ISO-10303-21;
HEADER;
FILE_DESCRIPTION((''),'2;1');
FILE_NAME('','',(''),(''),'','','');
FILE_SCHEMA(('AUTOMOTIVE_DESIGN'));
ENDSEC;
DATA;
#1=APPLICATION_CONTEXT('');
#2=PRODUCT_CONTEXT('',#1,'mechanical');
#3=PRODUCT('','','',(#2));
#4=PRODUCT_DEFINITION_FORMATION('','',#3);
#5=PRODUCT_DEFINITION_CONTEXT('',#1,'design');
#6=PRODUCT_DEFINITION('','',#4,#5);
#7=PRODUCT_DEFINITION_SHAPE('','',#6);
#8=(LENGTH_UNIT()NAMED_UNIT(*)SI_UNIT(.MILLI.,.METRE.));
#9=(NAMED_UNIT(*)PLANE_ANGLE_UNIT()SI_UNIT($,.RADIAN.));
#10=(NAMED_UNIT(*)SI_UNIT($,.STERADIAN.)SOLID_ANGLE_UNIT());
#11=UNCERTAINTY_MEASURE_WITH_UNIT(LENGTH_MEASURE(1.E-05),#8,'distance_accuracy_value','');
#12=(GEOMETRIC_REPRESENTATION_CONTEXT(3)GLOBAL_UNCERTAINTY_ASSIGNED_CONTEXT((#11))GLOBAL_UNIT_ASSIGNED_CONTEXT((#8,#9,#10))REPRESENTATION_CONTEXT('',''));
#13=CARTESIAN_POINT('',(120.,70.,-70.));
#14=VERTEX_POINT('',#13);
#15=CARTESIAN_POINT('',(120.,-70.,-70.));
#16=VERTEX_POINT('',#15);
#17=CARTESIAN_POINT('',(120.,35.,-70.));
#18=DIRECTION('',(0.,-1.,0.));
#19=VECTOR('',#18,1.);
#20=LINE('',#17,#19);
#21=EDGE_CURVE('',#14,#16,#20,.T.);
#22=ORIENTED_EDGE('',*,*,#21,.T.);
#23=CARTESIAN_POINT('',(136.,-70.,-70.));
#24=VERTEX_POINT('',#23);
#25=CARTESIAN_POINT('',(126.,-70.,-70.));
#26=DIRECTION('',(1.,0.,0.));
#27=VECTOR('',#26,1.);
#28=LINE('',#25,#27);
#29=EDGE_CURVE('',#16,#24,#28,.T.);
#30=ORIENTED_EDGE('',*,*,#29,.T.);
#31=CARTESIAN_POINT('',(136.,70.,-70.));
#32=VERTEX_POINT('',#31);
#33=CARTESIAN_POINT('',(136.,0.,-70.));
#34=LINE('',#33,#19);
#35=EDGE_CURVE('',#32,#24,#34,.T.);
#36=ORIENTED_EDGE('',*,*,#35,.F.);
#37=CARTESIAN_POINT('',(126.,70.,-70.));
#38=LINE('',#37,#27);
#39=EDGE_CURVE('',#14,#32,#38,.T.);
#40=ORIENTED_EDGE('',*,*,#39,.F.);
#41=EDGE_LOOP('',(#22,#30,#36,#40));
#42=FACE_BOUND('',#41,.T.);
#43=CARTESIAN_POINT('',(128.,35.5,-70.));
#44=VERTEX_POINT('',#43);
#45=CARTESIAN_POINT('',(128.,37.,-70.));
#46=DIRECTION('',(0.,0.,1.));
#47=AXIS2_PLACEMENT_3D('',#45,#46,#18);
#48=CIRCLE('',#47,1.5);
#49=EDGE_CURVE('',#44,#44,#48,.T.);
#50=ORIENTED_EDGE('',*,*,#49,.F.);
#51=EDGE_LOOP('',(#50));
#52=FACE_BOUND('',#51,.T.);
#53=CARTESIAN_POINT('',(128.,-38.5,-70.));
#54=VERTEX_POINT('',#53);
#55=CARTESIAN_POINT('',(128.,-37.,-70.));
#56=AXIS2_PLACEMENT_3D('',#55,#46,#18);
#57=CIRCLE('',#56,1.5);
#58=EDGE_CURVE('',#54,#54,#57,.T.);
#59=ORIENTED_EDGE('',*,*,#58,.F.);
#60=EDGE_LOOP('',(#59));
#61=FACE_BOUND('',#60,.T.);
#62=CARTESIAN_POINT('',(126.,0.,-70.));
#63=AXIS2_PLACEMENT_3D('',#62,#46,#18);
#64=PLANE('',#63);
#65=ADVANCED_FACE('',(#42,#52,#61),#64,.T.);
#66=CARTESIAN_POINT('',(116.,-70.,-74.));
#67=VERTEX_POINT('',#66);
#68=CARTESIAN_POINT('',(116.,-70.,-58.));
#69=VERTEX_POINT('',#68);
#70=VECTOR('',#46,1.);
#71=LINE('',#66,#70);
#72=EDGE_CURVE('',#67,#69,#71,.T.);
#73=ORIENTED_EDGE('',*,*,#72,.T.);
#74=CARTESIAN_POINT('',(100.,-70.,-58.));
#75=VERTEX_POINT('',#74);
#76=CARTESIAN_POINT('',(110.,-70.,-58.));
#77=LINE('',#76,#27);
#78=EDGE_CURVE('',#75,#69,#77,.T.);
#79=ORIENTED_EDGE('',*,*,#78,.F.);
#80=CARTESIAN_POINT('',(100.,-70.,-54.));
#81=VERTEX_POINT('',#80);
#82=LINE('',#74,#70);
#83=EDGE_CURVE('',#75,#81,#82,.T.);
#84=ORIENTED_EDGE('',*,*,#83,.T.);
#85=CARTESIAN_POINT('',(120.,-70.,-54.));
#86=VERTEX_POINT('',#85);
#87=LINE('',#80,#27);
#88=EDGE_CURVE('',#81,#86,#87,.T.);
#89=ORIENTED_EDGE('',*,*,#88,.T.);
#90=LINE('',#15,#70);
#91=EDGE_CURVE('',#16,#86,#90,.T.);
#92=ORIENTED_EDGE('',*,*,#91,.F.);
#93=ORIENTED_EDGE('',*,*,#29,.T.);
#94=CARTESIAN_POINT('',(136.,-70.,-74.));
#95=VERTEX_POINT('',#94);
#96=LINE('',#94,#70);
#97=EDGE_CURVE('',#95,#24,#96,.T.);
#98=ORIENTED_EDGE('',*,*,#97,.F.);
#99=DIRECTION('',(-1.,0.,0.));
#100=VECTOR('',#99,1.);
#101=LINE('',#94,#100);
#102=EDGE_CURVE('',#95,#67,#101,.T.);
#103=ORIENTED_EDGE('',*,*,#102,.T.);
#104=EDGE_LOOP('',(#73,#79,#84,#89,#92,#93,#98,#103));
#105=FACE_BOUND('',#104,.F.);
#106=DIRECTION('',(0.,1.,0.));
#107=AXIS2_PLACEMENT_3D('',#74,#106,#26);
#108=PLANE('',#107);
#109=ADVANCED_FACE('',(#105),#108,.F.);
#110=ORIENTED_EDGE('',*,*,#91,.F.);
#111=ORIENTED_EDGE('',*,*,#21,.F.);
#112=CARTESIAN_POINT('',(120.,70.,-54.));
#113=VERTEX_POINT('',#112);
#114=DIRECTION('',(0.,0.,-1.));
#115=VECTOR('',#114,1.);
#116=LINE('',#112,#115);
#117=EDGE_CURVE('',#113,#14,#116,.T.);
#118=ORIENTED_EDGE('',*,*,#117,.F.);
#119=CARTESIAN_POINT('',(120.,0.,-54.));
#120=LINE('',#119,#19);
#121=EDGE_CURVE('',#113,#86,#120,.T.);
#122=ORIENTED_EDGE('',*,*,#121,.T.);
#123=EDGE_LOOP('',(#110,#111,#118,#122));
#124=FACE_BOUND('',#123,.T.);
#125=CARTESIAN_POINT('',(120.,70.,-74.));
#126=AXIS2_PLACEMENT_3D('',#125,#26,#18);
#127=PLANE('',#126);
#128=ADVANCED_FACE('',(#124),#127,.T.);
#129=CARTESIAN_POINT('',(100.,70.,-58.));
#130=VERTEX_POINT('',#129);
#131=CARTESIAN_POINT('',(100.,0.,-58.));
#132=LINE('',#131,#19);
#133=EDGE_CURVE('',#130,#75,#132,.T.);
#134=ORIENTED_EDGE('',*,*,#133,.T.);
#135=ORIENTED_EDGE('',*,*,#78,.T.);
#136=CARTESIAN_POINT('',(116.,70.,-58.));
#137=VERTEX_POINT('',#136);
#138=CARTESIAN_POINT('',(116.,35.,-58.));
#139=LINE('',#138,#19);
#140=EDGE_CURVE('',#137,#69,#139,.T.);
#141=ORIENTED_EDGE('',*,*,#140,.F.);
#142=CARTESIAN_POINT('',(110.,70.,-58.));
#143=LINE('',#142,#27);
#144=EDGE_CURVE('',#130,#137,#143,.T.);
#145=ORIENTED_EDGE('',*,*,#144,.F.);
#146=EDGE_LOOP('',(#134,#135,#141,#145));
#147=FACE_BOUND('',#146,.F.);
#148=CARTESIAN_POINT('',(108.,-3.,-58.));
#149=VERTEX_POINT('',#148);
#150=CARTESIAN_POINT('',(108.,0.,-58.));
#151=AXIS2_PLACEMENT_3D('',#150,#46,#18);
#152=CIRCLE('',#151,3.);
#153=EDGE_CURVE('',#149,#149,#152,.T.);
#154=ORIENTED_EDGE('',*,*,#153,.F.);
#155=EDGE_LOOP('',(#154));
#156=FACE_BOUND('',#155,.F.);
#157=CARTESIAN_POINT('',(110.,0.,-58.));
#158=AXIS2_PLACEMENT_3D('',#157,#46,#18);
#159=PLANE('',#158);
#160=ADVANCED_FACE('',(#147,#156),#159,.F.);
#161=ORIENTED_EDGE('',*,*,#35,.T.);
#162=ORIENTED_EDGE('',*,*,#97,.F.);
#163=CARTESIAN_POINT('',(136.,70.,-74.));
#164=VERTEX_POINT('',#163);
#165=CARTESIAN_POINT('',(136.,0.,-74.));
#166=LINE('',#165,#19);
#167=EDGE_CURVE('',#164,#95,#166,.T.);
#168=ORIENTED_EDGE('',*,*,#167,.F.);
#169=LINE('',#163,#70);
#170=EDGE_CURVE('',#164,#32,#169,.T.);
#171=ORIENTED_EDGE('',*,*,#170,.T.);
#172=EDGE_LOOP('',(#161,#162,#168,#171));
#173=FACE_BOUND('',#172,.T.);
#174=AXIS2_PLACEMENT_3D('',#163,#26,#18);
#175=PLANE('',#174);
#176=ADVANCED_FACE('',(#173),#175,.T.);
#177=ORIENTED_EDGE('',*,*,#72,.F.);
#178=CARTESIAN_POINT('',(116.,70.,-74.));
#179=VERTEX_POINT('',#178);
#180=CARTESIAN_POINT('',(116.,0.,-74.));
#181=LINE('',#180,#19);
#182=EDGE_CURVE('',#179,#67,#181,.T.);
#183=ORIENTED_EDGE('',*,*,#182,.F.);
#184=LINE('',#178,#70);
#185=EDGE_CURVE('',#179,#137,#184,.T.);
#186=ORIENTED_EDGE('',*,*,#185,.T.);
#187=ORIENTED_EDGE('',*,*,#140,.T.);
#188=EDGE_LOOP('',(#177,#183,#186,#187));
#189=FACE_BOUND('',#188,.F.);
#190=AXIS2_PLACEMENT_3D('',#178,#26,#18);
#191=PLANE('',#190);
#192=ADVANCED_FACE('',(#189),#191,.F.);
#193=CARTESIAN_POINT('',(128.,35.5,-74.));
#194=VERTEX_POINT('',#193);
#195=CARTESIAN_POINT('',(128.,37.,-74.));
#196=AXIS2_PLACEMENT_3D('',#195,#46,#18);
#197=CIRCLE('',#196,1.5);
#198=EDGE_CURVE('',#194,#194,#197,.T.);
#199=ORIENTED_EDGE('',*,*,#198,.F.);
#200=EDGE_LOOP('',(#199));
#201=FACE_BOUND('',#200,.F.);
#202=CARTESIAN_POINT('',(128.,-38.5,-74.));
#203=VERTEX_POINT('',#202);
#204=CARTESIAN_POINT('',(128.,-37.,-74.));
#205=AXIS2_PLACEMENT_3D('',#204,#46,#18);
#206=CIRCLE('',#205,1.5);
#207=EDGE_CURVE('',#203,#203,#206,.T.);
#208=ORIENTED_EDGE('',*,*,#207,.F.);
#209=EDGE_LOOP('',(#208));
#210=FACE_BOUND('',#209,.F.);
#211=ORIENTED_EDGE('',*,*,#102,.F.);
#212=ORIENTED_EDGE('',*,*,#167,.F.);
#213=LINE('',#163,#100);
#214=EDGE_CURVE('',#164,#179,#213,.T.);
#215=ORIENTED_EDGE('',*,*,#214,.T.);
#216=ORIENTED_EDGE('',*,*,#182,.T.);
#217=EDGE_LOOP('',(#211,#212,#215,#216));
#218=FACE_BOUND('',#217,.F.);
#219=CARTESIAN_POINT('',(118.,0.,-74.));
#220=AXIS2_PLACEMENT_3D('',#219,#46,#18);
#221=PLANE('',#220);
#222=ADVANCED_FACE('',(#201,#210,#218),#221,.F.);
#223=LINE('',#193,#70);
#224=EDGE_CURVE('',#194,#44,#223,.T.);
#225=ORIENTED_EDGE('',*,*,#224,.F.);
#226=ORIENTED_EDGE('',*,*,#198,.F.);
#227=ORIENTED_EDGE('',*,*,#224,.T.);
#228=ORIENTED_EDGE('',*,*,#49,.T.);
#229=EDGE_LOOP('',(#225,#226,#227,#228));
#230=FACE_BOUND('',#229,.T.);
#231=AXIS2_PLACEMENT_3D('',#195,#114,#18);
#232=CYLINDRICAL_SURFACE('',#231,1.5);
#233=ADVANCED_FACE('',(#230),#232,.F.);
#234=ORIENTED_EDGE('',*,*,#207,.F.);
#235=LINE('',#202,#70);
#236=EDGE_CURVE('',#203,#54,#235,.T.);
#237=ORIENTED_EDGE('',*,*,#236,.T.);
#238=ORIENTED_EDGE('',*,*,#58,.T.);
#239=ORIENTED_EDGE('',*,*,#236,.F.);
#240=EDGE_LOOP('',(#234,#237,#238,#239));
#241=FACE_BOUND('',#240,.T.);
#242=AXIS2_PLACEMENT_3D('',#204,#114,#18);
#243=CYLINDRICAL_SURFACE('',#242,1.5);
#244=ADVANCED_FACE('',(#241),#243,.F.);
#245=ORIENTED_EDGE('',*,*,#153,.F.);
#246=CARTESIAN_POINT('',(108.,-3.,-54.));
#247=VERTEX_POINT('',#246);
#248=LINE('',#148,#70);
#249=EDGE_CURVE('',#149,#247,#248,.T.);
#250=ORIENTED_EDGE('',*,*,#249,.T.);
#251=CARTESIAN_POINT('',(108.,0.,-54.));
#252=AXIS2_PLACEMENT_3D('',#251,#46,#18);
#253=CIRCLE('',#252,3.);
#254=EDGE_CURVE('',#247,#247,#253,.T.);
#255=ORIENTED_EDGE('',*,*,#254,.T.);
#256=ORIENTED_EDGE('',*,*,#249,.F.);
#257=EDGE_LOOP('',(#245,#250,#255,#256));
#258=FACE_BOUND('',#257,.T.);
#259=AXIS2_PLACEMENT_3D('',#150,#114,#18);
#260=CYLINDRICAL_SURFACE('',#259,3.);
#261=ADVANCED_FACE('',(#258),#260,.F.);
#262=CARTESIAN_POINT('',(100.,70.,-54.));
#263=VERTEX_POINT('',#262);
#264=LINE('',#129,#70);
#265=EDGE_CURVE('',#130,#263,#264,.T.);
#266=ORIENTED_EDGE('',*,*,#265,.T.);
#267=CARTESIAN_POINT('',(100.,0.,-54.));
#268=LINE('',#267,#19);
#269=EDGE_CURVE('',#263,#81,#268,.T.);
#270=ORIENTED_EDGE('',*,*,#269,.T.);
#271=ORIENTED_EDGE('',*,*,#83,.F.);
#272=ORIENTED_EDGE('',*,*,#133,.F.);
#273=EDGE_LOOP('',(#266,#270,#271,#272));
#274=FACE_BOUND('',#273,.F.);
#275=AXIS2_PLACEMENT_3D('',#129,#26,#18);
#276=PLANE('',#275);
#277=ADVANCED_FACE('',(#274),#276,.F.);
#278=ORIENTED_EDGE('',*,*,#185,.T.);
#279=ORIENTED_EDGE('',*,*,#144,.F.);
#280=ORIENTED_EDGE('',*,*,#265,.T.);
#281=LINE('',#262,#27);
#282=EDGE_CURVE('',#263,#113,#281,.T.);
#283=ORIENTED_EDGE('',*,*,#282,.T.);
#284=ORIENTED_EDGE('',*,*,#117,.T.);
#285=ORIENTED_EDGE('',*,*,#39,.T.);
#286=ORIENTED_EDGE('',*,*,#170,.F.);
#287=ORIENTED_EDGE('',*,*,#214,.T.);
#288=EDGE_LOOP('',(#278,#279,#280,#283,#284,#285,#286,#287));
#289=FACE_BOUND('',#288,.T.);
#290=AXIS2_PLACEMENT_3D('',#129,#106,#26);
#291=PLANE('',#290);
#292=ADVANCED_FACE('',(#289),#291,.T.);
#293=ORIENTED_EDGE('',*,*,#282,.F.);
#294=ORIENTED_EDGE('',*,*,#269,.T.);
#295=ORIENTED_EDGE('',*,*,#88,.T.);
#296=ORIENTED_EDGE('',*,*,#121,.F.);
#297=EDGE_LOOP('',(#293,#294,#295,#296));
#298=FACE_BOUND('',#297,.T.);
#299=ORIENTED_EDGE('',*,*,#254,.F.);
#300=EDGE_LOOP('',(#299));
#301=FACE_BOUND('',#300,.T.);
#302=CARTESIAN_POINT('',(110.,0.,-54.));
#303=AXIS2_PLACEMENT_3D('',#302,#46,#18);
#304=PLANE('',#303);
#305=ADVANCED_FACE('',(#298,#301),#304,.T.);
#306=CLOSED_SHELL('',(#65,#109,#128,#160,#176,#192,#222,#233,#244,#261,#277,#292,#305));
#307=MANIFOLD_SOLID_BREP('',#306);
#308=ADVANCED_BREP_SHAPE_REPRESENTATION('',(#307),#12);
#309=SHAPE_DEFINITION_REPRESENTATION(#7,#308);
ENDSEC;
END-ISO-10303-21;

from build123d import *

# Parameters (mm, degrees)
CYLINDER024_R          = 1.5
CYLINDER024_DEPTH      = 4
CYLINDER023_R          = 1.5
CYLINDER023_DEPTH      = 4
CYLINDER025_R          = 3
CYLINDER025_DEPTH      = 4
BOX043_W               = 140
BOX043_H               = 20
BOX043_DEPTH           = 4
BOX044_W               = 140
BOX044_H               = 20
BOX044_DEPTH           = 4
BOX042_W               = 140
BOX042_H               = 4
BOX042_DEPTH           = 20
CUT032_PLACEMENT_ANGLE = -90


with BuildPart() as agujero_de_metrica_3_trasero001:
    # Cylinder024 → Cylinder024 (new body)
    with BuildSketch(Plane(origin=(107, 12, 0), x_dir=(1, 0, 0), z_dir=(0, 0, 1))):
        Circle(CYLINDER024_R)
    extrude(amount=CYLINDER024_DEPTH)


with BuildPart() as agujero_de_metrica_3_delantero001:
    # Cylinder023 → Cylinder023 (new body)
    with BuildSketch(Plane(origin=(33, 12, 0), x_dir=(1, 0, 0), z_dir=(0, 0, 1))):
        Circle(CYLINDER023_R)
    extrude(amount=CYLINDER023_DEPTH)


with BuildPart() as perforaciones001:
    # Cylinder025 → Cylinder025 (new body)
    with BuildSketch(Plane(origin=(70, -8, 16), x_dir=(1, 0, 0), z_dir=(0, 0, 1))):
        Circle(CYLINDER025_R)
    extrude(amount=CYLINDER025_DEPTH)

    # Fusion024: union Agujero de metrica 3 trasero001, Agujero de metrica 3 delantero001
    add(agujero_de_metrica_3_trasero001.part)
    add(agujero_de_metrica_3_delantero001.part)


with BuildPart() as perfil_intermedio:
    # Box043 → Box043 (new body)
    with BuildSketch(Plane.XY):
        with Locations((70, 10)):
            Rectangle(BOX043_W, BOX043_H)
    extrude(amount=BOX043_DEPTH)


with BuildPart() as perfil_superior:
    # Box044 → Box044 (new body)
    with BuildSketch(Plane(origin=(0, -16, 16), x_dir=(1, 0, 0), z_dir=(0, 0, 1))):
        with Locations((70, 10)):
            Rectangle(BOX044_W, BOX044_H)
    extrude(amount=BOX044_DEPTH)


with BuildPart() as perfil_z_izquierdo:
    # Box042 → Box042 (new body)
    with BuildSketch(Plane.XY):
        with Locations((70, 2)):
            Rectangle(BOX042_W, BOX042_H)
    extrude(amount=BOX042_DEPTH)

    # Fusion023: union perfil intermedio, perfil superior
    add(perfil_intermedio.part)
    add(perfil_superior.part)

    # Cut032: cut Perforaciones001
    add(perforaciones001.part, mode=Mode.SUBTRACT)


with BuildPart() as perfil_z_izquierdo_1:
    # Cut032 placement: moved
    add(perfil_z_izquierdo.part.moved(Location((116, 70, -74))).rotate(Axis((116, 70, -74), (0, 0, 1)), CUT032_PLACEMENT_ANGLE))


solid = perfil_z_izquierdo_1.part
